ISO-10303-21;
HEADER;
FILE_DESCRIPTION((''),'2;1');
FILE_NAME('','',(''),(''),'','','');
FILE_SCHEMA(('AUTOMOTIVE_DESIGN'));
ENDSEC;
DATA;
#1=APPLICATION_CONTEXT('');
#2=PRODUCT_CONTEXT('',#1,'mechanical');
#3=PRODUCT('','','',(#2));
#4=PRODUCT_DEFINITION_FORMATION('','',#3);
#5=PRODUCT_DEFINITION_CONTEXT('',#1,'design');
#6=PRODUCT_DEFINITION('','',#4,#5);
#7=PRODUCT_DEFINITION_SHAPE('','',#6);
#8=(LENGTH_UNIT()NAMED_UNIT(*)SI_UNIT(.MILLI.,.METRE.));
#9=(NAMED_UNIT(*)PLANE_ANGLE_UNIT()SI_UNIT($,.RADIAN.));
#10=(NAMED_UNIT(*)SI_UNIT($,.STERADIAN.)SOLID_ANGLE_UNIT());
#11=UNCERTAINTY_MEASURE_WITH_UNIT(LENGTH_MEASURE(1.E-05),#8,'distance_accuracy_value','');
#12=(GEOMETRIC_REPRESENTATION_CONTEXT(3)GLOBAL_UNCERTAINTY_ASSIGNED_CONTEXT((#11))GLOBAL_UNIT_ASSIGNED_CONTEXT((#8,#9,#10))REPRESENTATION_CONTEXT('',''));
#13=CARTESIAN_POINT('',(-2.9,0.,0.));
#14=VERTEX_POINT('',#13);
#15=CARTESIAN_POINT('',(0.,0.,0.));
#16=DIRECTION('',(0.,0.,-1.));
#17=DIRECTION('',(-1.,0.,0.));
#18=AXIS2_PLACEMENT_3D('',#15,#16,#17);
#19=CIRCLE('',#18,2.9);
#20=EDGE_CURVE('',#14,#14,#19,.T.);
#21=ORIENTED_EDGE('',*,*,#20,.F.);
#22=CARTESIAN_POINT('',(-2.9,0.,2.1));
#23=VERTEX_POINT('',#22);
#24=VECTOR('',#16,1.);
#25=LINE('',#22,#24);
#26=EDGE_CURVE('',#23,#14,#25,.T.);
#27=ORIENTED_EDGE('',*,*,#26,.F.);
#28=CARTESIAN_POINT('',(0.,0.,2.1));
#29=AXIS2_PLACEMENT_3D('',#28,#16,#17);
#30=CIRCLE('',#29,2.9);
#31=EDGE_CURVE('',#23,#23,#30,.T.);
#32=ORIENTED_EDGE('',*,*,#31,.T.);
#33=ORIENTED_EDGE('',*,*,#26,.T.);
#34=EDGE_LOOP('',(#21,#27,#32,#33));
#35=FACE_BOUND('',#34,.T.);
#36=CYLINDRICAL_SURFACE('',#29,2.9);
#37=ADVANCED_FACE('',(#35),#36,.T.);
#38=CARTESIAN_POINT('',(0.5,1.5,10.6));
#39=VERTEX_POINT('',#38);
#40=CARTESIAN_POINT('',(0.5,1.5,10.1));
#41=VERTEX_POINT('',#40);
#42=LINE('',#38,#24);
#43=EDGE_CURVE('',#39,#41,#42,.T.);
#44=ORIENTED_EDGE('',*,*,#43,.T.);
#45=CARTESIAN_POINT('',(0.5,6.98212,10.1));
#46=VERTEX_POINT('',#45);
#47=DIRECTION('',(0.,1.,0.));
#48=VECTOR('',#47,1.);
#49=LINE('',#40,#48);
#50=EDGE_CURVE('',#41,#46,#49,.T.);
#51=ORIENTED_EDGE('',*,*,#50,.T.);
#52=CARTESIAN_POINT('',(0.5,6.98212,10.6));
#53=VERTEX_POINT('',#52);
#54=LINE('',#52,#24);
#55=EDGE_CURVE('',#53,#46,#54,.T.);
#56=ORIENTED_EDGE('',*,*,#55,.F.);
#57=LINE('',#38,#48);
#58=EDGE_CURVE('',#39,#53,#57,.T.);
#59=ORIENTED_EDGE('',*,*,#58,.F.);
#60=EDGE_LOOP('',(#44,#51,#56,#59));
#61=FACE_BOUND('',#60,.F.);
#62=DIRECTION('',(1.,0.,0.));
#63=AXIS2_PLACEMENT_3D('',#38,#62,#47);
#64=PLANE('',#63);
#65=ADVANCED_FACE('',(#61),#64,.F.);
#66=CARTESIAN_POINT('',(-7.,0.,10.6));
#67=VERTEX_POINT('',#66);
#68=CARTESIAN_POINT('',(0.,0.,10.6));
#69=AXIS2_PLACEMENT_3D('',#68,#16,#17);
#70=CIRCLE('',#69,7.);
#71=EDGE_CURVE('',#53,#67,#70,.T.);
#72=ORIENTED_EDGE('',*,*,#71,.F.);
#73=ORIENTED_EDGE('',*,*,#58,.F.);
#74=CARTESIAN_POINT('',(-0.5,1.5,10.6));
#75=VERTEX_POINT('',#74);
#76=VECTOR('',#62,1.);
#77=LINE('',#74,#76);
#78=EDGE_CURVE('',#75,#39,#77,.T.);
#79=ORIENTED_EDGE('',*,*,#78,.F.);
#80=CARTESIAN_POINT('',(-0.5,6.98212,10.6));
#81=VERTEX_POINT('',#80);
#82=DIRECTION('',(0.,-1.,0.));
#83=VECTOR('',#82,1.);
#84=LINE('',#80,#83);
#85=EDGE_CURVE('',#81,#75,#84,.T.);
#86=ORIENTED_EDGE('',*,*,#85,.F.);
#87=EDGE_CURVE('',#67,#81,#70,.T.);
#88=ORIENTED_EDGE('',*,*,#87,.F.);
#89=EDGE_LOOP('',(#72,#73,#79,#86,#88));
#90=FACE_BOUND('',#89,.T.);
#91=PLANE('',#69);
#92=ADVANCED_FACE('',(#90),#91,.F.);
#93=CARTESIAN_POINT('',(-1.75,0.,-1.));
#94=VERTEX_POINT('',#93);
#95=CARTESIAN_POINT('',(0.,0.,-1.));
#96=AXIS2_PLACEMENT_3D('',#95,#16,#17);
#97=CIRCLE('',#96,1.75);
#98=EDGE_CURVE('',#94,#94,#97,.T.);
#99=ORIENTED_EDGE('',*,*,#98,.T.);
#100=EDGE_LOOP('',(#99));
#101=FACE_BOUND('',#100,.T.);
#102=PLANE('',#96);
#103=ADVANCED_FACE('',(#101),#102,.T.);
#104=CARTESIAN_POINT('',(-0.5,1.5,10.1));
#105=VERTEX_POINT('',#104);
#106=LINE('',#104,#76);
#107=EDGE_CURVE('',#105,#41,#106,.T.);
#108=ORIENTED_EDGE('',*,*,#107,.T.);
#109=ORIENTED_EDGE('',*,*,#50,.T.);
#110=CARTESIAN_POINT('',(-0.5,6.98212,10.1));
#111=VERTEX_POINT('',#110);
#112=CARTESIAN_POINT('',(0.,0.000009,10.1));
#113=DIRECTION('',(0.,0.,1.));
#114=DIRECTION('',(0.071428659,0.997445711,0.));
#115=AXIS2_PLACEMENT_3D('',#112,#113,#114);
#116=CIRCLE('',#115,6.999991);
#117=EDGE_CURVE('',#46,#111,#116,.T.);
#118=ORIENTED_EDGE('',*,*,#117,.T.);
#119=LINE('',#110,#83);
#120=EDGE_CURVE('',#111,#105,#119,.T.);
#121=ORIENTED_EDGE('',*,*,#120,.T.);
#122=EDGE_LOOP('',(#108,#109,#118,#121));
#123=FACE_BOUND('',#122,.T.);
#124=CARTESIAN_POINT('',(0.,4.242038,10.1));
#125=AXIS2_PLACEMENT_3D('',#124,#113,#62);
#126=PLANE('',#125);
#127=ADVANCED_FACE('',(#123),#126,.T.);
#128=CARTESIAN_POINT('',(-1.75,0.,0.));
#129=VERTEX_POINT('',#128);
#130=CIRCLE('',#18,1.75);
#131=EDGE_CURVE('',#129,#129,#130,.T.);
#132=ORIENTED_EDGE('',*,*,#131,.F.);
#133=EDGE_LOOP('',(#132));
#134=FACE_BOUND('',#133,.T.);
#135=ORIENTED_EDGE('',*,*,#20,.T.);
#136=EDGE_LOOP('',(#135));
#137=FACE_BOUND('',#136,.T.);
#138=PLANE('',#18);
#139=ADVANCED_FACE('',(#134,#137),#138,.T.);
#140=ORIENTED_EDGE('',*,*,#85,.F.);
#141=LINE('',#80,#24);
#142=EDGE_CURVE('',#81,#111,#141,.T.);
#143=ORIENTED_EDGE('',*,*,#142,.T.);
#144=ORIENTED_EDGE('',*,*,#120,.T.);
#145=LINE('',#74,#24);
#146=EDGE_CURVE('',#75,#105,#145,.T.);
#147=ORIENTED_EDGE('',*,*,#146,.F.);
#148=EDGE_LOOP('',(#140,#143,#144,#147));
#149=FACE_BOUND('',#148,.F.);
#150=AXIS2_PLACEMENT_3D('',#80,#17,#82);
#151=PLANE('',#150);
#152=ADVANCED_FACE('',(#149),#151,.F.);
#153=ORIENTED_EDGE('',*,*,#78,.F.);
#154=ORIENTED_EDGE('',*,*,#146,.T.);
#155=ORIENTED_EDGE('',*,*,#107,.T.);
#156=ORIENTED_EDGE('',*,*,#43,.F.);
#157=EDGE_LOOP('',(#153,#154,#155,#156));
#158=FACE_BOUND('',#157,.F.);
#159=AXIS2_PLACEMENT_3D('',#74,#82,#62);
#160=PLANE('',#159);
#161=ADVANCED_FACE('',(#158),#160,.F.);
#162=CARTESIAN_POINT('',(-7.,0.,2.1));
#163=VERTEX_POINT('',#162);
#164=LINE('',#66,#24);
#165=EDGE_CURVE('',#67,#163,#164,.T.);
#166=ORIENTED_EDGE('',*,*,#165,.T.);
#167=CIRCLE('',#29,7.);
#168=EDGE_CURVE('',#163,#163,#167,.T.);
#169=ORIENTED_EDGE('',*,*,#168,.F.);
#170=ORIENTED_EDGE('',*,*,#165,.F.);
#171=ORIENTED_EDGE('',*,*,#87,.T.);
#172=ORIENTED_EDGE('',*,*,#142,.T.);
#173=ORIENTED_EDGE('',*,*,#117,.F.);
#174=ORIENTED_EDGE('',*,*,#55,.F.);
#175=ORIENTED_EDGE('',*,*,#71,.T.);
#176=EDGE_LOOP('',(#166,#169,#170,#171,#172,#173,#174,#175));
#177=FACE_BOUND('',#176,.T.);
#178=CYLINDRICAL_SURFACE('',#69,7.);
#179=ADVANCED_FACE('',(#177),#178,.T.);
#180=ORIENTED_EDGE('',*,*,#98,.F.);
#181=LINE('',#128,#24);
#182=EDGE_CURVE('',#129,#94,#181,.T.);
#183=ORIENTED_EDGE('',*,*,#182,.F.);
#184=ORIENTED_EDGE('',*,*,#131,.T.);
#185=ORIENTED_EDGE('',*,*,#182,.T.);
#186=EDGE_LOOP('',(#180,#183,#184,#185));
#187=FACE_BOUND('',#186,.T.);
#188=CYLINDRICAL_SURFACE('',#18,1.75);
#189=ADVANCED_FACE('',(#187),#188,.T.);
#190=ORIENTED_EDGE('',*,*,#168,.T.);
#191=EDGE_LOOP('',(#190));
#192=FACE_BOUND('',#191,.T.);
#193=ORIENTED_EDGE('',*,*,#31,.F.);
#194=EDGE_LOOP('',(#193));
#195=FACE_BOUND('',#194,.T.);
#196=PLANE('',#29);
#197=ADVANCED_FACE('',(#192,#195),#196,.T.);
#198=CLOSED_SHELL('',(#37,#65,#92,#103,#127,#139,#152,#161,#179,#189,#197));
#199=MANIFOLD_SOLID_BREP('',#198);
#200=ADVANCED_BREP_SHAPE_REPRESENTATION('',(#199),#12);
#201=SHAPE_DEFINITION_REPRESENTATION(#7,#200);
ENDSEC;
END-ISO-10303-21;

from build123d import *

# Parameters (mm, degrees)
F3_DEPTH = 0.5


with BuildPart() as f1:
    # F0 (on Front) → F1 (revolve)
    with BuildSketch(Plane.XZ):
        Polygon((-1.75, -1), (0, -1), (0, 10.6), (-7, 10.6), (-7, 2.1), (-2.9, 2.1), (-2.9, 0), (-1.75, 0), align=None)
    revolve(axis=Axis((0, 0, 4.8), (0, 0, -1)))

    # F2 (on face) → F3 (cut)
    with BuildSketch(Plane.XY.offset(10.6)):
        with BuildLine():
            Line((-0.5, 1.5), (0.5, 1.5))
            Line((0.5, 1.5), (0.5, 6.98212))
            ThreePointArc((0.5, 6.98212), (0, 7), (-0.5, 6.98212))
            Line((-0.5, 6.98212), (-0.5, 1.5))
        make_face()
    extrude(amount=-F3_DEPTH, mode=Mode.SUBTRACT)


solid = f1.part
